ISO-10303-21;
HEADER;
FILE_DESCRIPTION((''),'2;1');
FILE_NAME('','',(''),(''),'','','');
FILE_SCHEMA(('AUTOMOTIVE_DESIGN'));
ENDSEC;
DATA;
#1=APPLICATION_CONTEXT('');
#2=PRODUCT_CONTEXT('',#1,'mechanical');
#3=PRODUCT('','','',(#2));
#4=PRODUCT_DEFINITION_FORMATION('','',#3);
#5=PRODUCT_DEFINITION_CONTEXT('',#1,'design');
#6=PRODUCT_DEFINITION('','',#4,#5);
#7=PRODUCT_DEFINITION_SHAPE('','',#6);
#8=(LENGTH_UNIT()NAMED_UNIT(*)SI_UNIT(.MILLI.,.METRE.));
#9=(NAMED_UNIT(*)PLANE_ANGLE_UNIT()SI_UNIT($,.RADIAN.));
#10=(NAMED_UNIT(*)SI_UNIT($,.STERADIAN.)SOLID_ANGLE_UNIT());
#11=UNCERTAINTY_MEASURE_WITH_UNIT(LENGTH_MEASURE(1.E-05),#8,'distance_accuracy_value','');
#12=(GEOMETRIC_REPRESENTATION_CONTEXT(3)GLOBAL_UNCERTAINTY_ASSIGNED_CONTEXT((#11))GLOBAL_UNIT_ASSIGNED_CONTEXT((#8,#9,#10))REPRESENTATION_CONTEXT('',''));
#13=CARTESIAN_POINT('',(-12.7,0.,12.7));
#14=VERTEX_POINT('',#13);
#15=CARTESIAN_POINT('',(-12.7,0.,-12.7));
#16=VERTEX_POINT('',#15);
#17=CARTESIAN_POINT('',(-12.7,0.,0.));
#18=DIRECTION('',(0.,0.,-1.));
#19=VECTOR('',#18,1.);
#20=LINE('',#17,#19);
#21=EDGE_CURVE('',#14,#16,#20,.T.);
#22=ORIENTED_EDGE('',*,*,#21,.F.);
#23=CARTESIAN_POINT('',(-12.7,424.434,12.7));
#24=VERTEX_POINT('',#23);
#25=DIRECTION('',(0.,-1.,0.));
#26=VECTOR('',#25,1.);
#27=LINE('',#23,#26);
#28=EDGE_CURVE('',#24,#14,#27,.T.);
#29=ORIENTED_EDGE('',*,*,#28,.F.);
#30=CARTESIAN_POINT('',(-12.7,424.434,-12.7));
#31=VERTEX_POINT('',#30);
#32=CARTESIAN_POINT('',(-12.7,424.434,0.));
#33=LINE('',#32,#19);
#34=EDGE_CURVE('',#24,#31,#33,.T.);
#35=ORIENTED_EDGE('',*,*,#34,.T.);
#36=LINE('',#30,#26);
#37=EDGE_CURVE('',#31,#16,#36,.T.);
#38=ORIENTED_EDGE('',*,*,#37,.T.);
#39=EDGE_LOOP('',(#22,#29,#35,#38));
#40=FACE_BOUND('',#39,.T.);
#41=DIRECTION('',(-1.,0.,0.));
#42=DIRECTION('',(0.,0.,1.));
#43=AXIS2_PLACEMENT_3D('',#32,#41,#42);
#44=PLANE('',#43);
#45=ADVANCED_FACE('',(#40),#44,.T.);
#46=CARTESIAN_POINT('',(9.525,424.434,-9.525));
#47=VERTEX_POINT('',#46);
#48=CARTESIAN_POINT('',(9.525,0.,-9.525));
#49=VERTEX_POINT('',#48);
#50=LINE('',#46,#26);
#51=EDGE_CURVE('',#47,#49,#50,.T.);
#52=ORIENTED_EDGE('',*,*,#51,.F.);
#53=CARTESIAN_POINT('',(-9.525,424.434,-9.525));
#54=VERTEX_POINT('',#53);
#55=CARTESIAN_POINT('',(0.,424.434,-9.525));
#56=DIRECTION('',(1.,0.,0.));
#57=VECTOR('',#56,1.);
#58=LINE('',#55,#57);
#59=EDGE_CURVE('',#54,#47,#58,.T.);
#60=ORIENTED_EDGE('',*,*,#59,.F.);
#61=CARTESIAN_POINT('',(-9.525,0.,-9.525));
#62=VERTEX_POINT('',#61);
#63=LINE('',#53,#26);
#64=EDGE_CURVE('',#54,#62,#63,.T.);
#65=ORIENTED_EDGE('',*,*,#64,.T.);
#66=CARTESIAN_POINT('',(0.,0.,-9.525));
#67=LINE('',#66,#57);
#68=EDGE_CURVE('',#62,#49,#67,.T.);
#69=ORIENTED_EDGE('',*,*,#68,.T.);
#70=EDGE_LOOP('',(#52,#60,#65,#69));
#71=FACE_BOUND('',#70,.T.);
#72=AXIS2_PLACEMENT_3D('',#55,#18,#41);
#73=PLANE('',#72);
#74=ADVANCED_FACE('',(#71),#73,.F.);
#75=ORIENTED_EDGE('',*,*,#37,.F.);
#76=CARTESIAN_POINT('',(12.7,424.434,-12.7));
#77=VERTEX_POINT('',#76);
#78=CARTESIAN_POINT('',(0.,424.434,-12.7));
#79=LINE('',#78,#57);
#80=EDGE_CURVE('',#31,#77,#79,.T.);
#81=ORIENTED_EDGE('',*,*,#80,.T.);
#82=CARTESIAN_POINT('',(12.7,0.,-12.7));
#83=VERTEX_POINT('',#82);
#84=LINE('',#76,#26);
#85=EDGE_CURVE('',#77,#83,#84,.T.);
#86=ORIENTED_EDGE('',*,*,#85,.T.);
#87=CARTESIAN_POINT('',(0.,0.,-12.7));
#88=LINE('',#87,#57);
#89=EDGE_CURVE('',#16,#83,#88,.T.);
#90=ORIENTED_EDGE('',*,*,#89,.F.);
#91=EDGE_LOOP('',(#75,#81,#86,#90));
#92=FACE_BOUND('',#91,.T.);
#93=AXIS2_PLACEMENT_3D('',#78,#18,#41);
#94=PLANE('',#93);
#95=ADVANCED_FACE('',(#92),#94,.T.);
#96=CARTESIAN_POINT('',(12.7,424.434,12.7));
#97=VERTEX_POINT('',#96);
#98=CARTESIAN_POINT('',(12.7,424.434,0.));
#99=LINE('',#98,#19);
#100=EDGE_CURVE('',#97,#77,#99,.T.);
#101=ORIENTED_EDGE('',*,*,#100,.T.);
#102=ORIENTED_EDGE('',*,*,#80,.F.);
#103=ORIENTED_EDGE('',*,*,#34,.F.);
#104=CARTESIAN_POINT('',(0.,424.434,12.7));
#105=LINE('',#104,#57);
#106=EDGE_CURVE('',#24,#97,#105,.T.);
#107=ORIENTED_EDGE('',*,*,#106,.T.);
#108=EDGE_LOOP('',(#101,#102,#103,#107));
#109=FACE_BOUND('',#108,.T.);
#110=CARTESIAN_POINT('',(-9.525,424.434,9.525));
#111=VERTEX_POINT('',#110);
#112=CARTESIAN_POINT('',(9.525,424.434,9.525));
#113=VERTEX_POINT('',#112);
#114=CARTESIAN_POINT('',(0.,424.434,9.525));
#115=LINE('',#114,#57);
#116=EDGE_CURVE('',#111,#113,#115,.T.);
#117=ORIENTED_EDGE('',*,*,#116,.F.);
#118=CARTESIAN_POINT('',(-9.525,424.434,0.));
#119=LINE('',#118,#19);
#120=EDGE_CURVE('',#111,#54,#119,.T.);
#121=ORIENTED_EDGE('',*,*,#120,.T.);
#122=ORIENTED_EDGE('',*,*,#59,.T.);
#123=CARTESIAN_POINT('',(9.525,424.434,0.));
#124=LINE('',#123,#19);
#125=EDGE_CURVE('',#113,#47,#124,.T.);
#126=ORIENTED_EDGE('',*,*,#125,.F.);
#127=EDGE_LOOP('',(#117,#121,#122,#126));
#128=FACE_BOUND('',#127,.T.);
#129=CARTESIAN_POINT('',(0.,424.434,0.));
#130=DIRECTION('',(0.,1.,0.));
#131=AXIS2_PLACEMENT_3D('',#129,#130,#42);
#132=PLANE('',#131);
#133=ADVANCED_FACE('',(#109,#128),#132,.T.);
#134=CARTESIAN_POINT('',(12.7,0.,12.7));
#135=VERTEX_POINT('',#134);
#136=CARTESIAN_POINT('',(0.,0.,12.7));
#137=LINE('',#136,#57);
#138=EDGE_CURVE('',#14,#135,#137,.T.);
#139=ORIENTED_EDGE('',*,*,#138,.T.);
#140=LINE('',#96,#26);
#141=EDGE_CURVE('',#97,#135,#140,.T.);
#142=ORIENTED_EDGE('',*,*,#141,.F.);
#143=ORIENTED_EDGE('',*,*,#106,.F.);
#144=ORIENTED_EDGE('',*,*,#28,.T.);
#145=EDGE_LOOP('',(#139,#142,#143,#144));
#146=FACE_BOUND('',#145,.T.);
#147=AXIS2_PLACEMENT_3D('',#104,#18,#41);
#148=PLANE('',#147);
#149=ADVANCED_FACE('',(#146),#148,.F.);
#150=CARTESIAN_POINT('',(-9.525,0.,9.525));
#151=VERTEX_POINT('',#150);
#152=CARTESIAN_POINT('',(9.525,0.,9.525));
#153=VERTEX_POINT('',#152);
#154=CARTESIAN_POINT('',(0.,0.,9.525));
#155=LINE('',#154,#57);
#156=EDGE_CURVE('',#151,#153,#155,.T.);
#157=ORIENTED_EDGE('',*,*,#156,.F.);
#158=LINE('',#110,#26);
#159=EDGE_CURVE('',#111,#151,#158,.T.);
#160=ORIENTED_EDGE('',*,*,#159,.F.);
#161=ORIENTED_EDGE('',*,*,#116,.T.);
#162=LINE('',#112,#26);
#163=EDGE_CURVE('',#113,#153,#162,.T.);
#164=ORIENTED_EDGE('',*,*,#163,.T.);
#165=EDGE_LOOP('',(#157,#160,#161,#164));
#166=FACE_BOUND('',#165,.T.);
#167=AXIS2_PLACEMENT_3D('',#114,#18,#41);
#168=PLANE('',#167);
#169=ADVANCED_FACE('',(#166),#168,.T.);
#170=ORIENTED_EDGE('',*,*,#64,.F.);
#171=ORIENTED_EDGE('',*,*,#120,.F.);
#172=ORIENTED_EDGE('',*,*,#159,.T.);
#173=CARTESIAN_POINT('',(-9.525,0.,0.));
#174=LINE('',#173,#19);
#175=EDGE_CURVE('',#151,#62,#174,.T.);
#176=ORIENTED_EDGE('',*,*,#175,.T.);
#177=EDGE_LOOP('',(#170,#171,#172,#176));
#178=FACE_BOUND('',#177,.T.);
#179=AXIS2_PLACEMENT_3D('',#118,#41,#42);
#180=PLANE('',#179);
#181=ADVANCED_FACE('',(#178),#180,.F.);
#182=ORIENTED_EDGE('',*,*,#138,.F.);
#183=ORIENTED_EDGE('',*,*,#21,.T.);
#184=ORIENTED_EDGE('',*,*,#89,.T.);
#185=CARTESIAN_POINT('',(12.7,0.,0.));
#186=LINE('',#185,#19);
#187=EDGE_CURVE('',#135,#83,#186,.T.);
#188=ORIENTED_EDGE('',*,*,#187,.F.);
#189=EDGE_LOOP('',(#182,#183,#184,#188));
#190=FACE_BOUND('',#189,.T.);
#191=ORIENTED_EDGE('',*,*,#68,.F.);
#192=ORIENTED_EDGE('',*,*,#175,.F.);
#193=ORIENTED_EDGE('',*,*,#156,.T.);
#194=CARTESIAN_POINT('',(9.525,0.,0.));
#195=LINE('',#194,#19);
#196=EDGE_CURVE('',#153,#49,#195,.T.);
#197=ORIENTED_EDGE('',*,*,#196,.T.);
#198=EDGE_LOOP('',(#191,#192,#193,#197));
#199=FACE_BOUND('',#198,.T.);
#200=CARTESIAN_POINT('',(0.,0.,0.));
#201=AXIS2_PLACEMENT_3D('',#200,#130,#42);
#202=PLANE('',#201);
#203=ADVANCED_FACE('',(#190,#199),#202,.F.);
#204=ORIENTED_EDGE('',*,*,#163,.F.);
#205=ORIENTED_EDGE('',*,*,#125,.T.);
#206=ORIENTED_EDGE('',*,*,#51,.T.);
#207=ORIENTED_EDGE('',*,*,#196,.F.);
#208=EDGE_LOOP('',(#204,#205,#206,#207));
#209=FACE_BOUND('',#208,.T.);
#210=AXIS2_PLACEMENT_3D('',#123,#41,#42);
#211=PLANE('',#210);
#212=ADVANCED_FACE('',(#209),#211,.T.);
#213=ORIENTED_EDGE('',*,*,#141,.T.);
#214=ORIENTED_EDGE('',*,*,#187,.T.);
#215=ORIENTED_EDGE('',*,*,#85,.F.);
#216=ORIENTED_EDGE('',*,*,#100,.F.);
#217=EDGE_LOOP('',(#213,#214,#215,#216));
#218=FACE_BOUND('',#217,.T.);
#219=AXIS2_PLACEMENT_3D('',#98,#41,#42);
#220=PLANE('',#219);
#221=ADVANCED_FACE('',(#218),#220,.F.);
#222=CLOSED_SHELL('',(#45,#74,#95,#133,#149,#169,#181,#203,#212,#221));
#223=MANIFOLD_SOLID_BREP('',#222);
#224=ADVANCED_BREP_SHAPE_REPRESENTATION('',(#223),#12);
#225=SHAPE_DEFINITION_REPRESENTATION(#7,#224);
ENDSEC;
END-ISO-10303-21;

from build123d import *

# Parameters (mm, degrees)
SKETCH1_W           = 25.4
SKETCH1_H           = 25.4
SKETCH1_W_2         = 19.05
SKETCH1_H_2         = 19.05
BOSS_EXTRUDE1_DEPTH = 424.434


with BuildPart() as part:
    # Sketch1 → Boss-Extrude1 (new body)
    with BuildSketch(Plane(origin=(0, 0, 0), x_dir=(1, 0, 0), z_dir=(0, 1, 0))):
        Rectangle(SKETCH1_W, SKETCH1_H)
        Rectangle(SKETCH1_W_2, SKETCH1_H_2, mode=Mode.SUBTRACT)
    extrude(amount=BOSS_EXTRUDE1_DEPTH)


solid = part.part
